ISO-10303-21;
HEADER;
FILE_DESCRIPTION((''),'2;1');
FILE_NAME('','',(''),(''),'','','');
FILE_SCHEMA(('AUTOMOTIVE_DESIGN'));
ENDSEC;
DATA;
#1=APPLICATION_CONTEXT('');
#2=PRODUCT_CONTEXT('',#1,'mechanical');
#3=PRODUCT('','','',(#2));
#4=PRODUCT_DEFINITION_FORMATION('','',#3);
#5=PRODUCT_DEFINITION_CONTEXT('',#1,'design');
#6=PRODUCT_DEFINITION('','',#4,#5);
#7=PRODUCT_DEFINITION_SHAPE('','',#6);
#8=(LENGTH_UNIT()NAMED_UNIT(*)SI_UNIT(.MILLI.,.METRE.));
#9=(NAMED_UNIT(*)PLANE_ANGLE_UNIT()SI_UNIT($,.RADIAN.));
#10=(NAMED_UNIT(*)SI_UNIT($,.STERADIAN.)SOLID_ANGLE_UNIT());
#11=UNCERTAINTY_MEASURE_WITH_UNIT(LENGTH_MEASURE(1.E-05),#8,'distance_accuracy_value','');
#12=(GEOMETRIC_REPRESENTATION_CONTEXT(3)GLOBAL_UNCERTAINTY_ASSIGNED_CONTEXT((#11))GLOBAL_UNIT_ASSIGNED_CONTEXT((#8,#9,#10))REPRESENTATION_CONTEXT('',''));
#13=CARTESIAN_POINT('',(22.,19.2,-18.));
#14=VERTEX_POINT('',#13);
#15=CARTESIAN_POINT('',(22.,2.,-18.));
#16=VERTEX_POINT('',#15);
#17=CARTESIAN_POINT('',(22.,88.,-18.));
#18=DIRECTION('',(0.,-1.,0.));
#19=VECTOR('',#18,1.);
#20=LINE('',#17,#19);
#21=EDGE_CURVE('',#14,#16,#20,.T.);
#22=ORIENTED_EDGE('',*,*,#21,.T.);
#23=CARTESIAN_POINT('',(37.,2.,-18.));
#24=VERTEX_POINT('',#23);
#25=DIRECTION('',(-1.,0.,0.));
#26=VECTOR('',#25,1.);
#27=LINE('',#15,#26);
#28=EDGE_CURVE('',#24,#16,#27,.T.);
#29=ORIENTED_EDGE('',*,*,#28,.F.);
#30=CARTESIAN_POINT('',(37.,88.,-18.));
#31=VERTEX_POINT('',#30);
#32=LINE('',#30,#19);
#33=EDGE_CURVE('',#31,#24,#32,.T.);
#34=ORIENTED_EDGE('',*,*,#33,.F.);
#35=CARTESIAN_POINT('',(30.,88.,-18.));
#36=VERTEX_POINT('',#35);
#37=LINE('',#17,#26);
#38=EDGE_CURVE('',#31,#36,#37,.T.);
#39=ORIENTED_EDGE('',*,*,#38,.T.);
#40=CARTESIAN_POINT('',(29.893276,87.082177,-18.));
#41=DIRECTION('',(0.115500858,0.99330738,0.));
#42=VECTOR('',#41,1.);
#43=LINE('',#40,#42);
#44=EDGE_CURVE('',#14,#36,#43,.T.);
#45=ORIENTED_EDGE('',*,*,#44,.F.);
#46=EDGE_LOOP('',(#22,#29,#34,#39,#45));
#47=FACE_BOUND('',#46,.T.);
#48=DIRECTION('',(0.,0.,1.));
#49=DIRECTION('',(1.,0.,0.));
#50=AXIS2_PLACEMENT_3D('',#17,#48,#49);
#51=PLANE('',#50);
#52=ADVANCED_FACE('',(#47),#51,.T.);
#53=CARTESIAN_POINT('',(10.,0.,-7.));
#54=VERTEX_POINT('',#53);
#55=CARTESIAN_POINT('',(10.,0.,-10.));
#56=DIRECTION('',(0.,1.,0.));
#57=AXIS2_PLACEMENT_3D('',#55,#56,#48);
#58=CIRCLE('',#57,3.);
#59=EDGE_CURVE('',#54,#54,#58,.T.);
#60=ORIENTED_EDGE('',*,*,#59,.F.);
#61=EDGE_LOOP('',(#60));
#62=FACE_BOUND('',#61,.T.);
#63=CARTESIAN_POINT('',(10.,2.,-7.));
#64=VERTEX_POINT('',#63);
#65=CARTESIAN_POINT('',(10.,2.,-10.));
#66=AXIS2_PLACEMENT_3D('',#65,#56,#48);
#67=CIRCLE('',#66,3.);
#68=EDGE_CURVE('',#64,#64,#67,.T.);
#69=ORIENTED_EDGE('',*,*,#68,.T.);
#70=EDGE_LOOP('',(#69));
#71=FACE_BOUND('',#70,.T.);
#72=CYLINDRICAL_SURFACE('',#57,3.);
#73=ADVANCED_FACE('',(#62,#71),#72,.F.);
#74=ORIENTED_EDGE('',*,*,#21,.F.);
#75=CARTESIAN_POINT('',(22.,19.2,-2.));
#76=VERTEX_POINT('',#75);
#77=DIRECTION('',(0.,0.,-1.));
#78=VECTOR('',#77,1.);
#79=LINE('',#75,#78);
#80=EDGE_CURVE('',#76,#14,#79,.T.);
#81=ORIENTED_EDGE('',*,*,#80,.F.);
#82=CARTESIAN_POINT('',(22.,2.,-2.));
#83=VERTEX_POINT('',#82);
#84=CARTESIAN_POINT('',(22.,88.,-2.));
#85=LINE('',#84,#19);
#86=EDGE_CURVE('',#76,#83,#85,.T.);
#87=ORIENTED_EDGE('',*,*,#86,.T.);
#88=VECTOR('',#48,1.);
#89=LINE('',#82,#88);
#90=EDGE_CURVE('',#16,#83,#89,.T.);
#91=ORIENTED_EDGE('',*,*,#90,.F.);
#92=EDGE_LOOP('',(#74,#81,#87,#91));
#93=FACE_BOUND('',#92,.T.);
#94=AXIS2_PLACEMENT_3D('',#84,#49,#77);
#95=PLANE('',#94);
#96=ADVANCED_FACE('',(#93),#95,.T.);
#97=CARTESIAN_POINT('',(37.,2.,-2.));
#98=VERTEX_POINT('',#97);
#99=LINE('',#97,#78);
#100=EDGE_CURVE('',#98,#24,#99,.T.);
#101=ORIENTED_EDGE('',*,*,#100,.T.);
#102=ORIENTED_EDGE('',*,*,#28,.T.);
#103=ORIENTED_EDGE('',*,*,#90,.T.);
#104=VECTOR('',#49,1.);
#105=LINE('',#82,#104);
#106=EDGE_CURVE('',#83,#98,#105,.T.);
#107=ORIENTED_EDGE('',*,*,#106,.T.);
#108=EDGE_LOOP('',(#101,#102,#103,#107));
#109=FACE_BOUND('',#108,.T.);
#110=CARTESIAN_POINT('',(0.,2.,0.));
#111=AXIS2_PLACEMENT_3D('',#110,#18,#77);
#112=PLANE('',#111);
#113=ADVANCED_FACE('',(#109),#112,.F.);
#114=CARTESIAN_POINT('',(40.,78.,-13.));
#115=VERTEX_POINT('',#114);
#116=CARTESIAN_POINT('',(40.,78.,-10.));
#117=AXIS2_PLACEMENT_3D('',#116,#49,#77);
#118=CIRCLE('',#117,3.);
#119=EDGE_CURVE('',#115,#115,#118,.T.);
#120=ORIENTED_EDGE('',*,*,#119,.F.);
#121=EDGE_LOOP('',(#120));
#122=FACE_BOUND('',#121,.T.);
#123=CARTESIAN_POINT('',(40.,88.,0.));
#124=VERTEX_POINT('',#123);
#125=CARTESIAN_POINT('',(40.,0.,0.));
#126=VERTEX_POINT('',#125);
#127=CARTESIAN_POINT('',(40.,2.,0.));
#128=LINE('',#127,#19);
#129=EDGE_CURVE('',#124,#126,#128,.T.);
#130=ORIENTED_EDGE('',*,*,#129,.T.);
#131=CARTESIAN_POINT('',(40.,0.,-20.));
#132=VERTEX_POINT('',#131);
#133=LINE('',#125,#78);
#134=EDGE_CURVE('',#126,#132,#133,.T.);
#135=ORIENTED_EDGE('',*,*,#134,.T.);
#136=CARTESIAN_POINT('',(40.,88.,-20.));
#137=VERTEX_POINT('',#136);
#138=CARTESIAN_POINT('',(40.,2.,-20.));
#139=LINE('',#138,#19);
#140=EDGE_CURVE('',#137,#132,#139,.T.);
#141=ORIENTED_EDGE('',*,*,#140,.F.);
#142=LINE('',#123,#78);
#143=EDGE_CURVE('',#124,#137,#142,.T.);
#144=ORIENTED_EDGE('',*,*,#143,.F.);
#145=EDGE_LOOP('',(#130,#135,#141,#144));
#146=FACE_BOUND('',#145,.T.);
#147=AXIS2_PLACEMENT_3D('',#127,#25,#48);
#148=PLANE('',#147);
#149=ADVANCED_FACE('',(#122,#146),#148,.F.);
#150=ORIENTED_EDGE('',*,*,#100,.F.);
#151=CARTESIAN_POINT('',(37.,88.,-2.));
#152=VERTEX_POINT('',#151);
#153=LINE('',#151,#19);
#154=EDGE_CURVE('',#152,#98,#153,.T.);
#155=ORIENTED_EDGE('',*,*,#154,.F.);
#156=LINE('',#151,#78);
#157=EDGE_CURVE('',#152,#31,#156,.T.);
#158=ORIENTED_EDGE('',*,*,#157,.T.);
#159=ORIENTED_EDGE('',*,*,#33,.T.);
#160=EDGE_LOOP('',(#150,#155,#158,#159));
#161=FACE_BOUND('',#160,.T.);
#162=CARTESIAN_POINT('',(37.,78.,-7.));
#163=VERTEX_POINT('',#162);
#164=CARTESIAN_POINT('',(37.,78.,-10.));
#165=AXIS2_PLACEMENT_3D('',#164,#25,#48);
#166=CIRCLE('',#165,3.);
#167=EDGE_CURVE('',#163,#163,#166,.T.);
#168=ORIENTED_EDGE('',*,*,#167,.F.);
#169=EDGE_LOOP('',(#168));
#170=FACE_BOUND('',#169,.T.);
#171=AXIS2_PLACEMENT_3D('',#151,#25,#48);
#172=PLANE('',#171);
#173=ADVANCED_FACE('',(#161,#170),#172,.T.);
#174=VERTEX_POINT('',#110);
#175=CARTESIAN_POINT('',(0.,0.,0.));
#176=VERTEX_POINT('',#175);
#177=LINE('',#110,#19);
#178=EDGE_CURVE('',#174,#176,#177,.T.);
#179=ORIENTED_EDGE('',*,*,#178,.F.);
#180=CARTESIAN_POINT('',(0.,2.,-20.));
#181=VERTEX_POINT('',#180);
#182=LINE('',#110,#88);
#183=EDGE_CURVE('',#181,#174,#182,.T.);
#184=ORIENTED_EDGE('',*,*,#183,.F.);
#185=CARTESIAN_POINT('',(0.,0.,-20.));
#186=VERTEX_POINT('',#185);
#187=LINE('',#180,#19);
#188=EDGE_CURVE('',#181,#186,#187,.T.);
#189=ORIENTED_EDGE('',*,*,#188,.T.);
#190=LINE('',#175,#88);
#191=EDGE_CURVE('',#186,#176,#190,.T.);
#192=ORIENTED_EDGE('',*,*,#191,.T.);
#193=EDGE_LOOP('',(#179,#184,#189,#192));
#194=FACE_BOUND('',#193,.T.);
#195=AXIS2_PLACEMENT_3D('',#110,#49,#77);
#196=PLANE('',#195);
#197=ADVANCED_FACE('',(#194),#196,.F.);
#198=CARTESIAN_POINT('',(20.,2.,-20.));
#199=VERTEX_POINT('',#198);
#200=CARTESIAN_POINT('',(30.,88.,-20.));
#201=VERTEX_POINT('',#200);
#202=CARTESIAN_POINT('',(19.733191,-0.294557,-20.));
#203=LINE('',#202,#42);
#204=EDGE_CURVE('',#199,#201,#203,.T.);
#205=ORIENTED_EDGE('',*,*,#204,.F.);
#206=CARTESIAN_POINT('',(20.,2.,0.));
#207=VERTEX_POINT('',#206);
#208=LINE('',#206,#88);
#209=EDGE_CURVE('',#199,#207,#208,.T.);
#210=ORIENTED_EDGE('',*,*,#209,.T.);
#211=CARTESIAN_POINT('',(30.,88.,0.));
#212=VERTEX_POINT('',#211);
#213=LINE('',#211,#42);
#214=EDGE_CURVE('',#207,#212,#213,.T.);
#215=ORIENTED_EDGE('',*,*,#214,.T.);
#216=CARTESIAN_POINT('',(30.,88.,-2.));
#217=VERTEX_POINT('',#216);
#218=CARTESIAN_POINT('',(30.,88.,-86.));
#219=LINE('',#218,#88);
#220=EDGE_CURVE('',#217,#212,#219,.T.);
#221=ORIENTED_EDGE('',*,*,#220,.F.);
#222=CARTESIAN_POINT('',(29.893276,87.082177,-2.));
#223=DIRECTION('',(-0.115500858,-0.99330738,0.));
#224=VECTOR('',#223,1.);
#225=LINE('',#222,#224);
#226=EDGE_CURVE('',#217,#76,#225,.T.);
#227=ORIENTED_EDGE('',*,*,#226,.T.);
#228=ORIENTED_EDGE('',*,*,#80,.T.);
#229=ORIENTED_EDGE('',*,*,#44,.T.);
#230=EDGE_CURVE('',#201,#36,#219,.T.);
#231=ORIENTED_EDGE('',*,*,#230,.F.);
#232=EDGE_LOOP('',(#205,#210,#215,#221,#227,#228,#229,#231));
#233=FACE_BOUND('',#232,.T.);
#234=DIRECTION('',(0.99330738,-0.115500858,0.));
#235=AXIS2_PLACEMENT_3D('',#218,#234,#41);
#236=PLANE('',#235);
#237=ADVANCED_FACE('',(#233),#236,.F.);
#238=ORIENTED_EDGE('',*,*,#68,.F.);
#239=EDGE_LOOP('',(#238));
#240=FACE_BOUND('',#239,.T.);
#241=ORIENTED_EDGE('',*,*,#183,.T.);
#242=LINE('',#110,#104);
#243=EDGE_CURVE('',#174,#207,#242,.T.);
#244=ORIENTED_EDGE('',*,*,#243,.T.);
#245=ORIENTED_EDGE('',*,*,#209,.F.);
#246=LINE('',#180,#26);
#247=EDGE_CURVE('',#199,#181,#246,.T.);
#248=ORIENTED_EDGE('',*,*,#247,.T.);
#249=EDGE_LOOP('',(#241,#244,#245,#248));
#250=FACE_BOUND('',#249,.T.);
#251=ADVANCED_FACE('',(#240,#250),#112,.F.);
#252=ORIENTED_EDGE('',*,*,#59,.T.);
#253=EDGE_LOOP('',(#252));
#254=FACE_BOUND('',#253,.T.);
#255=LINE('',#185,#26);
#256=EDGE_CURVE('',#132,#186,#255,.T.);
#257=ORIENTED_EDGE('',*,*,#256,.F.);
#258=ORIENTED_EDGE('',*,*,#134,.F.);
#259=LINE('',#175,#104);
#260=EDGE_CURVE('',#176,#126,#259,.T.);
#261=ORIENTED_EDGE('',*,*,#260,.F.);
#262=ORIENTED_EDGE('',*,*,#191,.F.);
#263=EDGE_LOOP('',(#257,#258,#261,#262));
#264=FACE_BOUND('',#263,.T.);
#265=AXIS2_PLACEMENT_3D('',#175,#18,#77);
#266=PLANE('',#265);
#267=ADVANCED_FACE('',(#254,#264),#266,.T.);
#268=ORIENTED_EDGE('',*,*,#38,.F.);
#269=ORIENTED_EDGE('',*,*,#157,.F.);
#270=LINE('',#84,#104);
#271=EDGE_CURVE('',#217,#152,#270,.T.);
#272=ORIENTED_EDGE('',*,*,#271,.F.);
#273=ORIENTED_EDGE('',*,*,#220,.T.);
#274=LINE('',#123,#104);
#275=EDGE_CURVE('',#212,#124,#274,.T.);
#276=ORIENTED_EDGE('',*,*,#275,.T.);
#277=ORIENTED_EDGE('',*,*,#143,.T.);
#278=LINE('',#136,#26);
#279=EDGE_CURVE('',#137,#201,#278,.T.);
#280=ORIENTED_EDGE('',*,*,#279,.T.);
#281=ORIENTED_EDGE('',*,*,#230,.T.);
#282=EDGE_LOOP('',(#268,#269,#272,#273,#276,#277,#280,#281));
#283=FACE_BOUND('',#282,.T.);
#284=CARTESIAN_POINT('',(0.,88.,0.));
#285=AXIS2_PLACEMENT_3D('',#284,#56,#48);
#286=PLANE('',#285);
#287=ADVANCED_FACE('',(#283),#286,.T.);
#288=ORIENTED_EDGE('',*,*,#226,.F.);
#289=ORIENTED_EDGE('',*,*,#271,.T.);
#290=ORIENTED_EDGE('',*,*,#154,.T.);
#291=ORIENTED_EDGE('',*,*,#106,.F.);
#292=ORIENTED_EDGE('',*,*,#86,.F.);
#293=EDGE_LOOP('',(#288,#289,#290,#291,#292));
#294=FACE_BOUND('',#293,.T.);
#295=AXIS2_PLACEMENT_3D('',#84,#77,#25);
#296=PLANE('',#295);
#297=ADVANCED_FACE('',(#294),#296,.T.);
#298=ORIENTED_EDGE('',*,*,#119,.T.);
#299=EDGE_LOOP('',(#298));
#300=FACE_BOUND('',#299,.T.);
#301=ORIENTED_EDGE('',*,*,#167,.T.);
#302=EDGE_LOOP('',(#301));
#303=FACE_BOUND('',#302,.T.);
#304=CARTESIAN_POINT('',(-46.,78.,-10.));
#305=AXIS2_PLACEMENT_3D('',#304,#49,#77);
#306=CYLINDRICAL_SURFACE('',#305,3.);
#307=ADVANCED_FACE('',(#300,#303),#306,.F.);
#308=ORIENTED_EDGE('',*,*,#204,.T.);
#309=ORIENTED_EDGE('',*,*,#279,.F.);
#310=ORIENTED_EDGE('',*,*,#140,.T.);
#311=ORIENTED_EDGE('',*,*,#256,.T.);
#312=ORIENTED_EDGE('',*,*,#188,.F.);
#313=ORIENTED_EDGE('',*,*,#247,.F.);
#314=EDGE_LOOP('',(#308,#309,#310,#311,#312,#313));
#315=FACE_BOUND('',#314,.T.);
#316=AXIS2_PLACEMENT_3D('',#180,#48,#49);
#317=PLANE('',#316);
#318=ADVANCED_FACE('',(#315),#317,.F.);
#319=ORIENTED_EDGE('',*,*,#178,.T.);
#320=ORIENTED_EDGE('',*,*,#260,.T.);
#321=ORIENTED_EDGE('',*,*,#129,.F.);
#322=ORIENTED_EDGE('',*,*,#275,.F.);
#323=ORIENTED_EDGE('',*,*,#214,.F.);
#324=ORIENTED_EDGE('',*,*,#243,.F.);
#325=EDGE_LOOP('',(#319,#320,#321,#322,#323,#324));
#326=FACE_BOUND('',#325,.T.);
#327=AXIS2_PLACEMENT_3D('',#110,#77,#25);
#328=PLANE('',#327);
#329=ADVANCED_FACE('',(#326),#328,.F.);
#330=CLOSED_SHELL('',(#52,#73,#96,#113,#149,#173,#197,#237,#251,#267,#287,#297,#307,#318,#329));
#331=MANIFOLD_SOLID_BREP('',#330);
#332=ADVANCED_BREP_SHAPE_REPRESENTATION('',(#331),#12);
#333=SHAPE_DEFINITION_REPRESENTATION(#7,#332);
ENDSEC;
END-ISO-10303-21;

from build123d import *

# Parameters (mm, degrees)
SKETCH1_W           = 40
SKETCH1_H           = 20
BOSS_EXTRUDE1_DEPTH = 2
SKETCH2_R           = 3
CUT_EXTRUDE1_DEPTH  = 2
SKETCH3_W           = 20
SKETCH3_H           = 20
SKETCH3_W_2         = 15
SKETCH3_H_2         = 16
BOSS_EXTRUDE2_DEPTH = 86
SKETCH4_R           = 3
CUT_EXTRUDE2_DEPTH  = 86
CUT_EXTRUDE3_DEPTH  = 86


with BuildPart() as part:
    # Sketch1 → Boss-Extrude1 (new body)
    with BuildSketch(Plane(origin=(0, 0, 0), x_dir=(1, 0, 0), z_dir=(0, 1, 0))):
        with Locations((20, 10)):
            Rectangle(SKETCH1_W, SKETCH1_H)
    extrude(amount=BOSS_EXTRUDE1_DEPTH)

    # Sketch2 → Cut-Extrude1 (cut)
    with BuildSketch(Plane(origin=(0, 2, 0), x_dir=(1, 0, 0), z_dir=(0, 1, 0))):
        with Locations(Location((10, 10, 0), (0, 0, 270))):
            Circle(SKETCH2_R)
    extrude(amount=-CUT_EXTRUDE1_DEPTH, mode=Mode.SUBTRACT)

    # Sketch3 → Boss-Extrude2 (add)
    with BuildSketch(Plane(origin=(0, 2, 0), x_dir=(1, 0, 0), z_dir=(0, 1, 0))):
        with Locations((30, 10)):
            Rectangle(SKETCH3_W, SKETCH3_H)
        with Locations((29.5, 10)):
            Rectangle(SKETCH3_W_2, SKETCH3_H_2, mode=Mode.SUBTRACT)
    extrude(amount=BOSS_EXTRUDE2_DEPTH)

    # Sketch4 → Cut-Extrude2 (cut)
    with BuildSketch(Plane(origin=(40, 0, 0), x_dir=(0, 0, -1), z_dir=(1, 0, 0))):
        with Locations((10, 78)):
            Circle(SKETCH4_R)
    extrude(amount=-CUT_EXTRUDE2_DEPTH, mode=Mode.SUBTRACT)

    # Sketch5 → Cut-Extrude3 (cut)
    with BuildSketch(Plane.XY):
        Polygon((30, 88), (20, 2), (20, 88), align=None)
    extrude(amount=-CUT_EXTRUDE3_DEPTH, mode=Mode.SUBTRACT)


solid = part.part
